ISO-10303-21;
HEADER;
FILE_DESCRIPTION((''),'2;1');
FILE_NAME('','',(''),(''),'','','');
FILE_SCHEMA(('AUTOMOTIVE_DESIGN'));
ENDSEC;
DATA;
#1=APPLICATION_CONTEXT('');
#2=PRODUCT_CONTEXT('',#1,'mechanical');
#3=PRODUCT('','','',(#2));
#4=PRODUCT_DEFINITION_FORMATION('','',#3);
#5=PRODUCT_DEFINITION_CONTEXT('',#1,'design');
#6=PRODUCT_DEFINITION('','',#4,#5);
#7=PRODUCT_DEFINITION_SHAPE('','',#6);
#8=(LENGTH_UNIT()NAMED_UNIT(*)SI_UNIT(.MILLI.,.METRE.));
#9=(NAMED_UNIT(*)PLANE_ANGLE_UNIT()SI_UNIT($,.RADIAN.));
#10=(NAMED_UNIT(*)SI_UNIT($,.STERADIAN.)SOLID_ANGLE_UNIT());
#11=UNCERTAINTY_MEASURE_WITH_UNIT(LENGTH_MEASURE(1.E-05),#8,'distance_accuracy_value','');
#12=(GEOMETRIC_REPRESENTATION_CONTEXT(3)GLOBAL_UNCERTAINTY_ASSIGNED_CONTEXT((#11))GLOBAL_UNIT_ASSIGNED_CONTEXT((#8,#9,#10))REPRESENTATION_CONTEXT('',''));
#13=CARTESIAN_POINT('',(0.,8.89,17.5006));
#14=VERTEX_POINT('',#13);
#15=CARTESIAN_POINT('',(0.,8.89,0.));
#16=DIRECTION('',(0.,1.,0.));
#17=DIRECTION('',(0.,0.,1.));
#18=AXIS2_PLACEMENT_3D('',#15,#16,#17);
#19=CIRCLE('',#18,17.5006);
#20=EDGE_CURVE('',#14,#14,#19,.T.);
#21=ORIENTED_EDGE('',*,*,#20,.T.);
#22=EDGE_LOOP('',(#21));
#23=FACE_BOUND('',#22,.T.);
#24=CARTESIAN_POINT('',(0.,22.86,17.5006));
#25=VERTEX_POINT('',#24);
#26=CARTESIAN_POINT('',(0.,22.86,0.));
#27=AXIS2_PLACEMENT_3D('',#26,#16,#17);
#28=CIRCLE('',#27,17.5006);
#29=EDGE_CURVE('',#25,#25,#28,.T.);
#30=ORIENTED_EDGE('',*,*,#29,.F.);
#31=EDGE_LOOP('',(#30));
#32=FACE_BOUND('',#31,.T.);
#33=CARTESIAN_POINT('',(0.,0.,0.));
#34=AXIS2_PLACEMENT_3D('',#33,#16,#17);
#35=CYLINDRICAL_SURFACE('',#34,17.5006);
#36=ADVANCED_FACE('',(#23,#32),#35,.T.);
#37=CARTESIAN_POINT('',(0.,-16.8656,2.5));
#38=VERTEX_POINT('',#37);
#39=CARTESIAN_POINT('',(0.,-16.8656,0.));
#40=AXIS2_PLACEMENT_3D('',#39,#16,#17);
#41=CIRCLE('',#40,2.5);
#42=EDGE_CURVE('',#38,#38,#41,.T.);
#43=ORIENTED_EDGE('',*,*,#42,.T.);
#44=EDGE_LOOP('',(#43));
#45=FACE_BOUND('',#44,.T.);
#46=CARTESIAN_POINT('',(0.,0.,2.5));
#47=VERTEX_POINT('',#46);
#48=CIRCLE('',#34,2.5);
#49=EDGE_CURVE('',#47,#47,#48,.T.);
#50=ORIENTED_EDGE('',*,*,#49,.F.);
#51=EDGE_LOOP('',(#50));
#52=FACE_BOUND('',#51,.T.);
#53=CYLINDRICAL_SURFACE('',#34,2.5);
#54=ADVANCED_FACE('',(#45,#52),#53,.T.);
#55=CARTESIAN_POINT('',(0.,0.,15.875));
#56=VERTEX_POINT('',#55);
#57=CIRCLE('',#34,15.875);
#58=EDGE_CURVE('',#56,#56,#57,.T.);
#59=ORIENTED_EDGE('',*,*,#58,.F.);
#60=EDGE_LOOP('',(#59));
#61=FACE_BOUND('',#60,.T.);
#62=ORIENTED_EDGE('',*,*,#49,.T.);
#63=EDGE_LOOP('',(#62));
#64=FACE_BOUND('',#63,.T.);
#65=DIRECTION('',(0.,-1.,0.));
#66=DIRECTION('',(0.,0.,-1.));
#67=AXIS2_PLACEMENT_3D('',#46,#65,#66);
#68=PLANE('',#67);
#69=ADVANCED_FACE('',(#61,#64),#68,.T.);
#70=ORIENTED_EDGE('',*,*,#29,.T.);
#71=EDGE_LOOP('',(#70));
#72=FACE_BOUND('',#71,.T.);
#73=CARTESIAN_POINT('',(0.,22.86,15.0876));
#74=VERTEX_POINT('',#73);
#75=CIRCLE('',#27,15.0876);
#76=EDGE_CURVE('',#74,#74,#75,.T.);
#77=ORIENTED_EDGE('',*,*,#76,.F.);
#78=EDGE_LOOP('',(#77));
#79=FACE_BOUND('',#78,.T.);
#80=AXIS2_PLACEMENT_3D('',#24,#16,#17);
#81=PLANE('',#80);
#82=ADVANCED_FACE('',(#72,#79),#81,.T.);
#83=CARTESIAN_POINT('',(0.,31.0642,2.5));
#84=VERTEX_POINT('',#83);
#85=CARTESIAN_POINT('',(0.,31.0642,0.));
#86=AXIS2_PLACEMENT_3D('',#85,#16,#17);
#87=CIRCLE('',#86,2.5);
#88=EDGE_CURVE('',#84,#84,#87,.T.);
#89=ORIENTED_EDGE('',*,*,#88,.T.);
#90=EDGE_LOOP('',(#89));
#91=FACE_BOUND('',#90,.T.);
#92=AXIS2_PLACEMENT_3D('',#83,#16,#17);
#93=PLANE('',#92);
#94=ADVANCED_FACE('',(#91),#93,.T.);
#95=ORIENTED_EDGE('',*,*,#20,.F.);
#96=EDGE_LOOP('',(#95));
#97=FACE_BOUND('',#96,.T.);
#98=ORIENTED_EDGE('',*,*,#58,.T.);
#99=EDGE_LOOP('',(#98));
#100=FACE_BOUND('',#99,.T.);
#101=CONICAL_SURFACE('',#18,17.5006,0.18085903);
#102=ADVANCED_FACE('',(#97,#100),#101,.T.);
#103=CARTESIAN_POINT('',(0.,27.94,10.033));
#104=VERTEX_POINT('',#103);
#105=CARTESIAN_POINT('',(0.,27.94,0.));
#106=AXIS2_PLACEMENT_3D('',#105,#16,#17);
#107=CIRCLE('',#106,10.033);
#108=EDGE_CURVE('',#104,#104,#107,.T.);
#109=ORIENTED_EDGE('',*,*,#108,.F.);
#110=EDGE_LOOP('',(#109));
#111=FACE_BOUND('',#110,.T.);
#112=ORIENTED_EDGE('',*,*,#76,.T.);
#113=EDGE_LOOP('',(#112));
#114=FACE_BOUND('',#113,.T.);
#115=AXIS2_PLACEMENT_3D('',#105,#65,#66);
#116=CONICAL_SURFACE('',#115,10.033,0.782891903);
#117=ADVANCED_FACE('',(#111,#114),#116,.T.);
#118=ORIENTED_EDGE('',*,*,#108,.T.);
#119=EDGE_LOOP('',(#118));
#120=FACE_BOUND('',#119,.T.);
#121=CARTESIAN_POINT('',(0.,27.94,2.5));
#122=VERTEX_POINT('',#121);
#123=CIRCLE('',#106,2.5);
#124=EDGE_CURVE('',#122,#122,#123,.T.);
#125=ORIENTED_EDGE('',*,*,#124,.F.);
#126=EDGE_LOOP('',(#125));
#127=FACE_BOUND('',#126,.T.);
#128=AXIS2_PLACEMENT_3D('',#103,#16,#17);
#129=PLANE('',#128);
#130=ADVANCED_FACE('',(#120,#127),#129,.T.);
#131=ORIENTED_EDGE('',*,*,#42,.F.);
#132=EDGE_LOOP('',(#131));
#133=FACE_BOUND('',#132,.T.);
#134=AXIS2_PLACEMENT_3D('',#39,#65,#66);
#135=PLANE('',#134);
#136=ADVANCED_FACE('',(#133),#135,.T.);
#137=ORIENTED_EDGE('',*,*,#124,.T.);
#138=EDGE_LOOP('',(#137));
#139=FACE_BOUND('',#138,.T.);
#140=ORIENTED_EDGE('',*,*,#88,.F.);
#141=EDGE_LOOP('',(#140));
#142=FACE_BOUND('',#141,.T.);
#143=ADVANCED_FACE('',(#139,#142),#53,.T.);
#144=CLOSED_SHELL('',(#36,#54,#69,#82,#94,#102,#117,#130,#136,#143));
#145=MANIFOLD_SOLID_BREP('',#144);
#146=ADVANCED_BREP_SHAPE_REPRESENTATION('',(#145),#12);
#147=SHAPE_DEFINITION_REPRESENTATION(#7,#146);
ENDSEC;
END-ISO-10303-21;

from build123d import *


with BuildPart() as part:
    # Sketch1 → Revolve1 (revolve)
    with BuildSketch(Plane(origin=(0, 0, 0), x_dir=(0, 0, -1), z_dir=(1, 0, 0))):
        Polygon((0, -16.8656), (-2.5, -16.8656), (-2.5, 0), (-15.875, 0), (-17.5006, 8.89), (-17.5006, 22.86), (-15.0876, 22.86), (-10.033, 27.94), (-2.5, 27.94), (-2.5, 31.0642), (0, 31.0642), align=None)
    revolve(axis=Axis((0, 0, 0), (0, -1, 0)))


solid = part.part
